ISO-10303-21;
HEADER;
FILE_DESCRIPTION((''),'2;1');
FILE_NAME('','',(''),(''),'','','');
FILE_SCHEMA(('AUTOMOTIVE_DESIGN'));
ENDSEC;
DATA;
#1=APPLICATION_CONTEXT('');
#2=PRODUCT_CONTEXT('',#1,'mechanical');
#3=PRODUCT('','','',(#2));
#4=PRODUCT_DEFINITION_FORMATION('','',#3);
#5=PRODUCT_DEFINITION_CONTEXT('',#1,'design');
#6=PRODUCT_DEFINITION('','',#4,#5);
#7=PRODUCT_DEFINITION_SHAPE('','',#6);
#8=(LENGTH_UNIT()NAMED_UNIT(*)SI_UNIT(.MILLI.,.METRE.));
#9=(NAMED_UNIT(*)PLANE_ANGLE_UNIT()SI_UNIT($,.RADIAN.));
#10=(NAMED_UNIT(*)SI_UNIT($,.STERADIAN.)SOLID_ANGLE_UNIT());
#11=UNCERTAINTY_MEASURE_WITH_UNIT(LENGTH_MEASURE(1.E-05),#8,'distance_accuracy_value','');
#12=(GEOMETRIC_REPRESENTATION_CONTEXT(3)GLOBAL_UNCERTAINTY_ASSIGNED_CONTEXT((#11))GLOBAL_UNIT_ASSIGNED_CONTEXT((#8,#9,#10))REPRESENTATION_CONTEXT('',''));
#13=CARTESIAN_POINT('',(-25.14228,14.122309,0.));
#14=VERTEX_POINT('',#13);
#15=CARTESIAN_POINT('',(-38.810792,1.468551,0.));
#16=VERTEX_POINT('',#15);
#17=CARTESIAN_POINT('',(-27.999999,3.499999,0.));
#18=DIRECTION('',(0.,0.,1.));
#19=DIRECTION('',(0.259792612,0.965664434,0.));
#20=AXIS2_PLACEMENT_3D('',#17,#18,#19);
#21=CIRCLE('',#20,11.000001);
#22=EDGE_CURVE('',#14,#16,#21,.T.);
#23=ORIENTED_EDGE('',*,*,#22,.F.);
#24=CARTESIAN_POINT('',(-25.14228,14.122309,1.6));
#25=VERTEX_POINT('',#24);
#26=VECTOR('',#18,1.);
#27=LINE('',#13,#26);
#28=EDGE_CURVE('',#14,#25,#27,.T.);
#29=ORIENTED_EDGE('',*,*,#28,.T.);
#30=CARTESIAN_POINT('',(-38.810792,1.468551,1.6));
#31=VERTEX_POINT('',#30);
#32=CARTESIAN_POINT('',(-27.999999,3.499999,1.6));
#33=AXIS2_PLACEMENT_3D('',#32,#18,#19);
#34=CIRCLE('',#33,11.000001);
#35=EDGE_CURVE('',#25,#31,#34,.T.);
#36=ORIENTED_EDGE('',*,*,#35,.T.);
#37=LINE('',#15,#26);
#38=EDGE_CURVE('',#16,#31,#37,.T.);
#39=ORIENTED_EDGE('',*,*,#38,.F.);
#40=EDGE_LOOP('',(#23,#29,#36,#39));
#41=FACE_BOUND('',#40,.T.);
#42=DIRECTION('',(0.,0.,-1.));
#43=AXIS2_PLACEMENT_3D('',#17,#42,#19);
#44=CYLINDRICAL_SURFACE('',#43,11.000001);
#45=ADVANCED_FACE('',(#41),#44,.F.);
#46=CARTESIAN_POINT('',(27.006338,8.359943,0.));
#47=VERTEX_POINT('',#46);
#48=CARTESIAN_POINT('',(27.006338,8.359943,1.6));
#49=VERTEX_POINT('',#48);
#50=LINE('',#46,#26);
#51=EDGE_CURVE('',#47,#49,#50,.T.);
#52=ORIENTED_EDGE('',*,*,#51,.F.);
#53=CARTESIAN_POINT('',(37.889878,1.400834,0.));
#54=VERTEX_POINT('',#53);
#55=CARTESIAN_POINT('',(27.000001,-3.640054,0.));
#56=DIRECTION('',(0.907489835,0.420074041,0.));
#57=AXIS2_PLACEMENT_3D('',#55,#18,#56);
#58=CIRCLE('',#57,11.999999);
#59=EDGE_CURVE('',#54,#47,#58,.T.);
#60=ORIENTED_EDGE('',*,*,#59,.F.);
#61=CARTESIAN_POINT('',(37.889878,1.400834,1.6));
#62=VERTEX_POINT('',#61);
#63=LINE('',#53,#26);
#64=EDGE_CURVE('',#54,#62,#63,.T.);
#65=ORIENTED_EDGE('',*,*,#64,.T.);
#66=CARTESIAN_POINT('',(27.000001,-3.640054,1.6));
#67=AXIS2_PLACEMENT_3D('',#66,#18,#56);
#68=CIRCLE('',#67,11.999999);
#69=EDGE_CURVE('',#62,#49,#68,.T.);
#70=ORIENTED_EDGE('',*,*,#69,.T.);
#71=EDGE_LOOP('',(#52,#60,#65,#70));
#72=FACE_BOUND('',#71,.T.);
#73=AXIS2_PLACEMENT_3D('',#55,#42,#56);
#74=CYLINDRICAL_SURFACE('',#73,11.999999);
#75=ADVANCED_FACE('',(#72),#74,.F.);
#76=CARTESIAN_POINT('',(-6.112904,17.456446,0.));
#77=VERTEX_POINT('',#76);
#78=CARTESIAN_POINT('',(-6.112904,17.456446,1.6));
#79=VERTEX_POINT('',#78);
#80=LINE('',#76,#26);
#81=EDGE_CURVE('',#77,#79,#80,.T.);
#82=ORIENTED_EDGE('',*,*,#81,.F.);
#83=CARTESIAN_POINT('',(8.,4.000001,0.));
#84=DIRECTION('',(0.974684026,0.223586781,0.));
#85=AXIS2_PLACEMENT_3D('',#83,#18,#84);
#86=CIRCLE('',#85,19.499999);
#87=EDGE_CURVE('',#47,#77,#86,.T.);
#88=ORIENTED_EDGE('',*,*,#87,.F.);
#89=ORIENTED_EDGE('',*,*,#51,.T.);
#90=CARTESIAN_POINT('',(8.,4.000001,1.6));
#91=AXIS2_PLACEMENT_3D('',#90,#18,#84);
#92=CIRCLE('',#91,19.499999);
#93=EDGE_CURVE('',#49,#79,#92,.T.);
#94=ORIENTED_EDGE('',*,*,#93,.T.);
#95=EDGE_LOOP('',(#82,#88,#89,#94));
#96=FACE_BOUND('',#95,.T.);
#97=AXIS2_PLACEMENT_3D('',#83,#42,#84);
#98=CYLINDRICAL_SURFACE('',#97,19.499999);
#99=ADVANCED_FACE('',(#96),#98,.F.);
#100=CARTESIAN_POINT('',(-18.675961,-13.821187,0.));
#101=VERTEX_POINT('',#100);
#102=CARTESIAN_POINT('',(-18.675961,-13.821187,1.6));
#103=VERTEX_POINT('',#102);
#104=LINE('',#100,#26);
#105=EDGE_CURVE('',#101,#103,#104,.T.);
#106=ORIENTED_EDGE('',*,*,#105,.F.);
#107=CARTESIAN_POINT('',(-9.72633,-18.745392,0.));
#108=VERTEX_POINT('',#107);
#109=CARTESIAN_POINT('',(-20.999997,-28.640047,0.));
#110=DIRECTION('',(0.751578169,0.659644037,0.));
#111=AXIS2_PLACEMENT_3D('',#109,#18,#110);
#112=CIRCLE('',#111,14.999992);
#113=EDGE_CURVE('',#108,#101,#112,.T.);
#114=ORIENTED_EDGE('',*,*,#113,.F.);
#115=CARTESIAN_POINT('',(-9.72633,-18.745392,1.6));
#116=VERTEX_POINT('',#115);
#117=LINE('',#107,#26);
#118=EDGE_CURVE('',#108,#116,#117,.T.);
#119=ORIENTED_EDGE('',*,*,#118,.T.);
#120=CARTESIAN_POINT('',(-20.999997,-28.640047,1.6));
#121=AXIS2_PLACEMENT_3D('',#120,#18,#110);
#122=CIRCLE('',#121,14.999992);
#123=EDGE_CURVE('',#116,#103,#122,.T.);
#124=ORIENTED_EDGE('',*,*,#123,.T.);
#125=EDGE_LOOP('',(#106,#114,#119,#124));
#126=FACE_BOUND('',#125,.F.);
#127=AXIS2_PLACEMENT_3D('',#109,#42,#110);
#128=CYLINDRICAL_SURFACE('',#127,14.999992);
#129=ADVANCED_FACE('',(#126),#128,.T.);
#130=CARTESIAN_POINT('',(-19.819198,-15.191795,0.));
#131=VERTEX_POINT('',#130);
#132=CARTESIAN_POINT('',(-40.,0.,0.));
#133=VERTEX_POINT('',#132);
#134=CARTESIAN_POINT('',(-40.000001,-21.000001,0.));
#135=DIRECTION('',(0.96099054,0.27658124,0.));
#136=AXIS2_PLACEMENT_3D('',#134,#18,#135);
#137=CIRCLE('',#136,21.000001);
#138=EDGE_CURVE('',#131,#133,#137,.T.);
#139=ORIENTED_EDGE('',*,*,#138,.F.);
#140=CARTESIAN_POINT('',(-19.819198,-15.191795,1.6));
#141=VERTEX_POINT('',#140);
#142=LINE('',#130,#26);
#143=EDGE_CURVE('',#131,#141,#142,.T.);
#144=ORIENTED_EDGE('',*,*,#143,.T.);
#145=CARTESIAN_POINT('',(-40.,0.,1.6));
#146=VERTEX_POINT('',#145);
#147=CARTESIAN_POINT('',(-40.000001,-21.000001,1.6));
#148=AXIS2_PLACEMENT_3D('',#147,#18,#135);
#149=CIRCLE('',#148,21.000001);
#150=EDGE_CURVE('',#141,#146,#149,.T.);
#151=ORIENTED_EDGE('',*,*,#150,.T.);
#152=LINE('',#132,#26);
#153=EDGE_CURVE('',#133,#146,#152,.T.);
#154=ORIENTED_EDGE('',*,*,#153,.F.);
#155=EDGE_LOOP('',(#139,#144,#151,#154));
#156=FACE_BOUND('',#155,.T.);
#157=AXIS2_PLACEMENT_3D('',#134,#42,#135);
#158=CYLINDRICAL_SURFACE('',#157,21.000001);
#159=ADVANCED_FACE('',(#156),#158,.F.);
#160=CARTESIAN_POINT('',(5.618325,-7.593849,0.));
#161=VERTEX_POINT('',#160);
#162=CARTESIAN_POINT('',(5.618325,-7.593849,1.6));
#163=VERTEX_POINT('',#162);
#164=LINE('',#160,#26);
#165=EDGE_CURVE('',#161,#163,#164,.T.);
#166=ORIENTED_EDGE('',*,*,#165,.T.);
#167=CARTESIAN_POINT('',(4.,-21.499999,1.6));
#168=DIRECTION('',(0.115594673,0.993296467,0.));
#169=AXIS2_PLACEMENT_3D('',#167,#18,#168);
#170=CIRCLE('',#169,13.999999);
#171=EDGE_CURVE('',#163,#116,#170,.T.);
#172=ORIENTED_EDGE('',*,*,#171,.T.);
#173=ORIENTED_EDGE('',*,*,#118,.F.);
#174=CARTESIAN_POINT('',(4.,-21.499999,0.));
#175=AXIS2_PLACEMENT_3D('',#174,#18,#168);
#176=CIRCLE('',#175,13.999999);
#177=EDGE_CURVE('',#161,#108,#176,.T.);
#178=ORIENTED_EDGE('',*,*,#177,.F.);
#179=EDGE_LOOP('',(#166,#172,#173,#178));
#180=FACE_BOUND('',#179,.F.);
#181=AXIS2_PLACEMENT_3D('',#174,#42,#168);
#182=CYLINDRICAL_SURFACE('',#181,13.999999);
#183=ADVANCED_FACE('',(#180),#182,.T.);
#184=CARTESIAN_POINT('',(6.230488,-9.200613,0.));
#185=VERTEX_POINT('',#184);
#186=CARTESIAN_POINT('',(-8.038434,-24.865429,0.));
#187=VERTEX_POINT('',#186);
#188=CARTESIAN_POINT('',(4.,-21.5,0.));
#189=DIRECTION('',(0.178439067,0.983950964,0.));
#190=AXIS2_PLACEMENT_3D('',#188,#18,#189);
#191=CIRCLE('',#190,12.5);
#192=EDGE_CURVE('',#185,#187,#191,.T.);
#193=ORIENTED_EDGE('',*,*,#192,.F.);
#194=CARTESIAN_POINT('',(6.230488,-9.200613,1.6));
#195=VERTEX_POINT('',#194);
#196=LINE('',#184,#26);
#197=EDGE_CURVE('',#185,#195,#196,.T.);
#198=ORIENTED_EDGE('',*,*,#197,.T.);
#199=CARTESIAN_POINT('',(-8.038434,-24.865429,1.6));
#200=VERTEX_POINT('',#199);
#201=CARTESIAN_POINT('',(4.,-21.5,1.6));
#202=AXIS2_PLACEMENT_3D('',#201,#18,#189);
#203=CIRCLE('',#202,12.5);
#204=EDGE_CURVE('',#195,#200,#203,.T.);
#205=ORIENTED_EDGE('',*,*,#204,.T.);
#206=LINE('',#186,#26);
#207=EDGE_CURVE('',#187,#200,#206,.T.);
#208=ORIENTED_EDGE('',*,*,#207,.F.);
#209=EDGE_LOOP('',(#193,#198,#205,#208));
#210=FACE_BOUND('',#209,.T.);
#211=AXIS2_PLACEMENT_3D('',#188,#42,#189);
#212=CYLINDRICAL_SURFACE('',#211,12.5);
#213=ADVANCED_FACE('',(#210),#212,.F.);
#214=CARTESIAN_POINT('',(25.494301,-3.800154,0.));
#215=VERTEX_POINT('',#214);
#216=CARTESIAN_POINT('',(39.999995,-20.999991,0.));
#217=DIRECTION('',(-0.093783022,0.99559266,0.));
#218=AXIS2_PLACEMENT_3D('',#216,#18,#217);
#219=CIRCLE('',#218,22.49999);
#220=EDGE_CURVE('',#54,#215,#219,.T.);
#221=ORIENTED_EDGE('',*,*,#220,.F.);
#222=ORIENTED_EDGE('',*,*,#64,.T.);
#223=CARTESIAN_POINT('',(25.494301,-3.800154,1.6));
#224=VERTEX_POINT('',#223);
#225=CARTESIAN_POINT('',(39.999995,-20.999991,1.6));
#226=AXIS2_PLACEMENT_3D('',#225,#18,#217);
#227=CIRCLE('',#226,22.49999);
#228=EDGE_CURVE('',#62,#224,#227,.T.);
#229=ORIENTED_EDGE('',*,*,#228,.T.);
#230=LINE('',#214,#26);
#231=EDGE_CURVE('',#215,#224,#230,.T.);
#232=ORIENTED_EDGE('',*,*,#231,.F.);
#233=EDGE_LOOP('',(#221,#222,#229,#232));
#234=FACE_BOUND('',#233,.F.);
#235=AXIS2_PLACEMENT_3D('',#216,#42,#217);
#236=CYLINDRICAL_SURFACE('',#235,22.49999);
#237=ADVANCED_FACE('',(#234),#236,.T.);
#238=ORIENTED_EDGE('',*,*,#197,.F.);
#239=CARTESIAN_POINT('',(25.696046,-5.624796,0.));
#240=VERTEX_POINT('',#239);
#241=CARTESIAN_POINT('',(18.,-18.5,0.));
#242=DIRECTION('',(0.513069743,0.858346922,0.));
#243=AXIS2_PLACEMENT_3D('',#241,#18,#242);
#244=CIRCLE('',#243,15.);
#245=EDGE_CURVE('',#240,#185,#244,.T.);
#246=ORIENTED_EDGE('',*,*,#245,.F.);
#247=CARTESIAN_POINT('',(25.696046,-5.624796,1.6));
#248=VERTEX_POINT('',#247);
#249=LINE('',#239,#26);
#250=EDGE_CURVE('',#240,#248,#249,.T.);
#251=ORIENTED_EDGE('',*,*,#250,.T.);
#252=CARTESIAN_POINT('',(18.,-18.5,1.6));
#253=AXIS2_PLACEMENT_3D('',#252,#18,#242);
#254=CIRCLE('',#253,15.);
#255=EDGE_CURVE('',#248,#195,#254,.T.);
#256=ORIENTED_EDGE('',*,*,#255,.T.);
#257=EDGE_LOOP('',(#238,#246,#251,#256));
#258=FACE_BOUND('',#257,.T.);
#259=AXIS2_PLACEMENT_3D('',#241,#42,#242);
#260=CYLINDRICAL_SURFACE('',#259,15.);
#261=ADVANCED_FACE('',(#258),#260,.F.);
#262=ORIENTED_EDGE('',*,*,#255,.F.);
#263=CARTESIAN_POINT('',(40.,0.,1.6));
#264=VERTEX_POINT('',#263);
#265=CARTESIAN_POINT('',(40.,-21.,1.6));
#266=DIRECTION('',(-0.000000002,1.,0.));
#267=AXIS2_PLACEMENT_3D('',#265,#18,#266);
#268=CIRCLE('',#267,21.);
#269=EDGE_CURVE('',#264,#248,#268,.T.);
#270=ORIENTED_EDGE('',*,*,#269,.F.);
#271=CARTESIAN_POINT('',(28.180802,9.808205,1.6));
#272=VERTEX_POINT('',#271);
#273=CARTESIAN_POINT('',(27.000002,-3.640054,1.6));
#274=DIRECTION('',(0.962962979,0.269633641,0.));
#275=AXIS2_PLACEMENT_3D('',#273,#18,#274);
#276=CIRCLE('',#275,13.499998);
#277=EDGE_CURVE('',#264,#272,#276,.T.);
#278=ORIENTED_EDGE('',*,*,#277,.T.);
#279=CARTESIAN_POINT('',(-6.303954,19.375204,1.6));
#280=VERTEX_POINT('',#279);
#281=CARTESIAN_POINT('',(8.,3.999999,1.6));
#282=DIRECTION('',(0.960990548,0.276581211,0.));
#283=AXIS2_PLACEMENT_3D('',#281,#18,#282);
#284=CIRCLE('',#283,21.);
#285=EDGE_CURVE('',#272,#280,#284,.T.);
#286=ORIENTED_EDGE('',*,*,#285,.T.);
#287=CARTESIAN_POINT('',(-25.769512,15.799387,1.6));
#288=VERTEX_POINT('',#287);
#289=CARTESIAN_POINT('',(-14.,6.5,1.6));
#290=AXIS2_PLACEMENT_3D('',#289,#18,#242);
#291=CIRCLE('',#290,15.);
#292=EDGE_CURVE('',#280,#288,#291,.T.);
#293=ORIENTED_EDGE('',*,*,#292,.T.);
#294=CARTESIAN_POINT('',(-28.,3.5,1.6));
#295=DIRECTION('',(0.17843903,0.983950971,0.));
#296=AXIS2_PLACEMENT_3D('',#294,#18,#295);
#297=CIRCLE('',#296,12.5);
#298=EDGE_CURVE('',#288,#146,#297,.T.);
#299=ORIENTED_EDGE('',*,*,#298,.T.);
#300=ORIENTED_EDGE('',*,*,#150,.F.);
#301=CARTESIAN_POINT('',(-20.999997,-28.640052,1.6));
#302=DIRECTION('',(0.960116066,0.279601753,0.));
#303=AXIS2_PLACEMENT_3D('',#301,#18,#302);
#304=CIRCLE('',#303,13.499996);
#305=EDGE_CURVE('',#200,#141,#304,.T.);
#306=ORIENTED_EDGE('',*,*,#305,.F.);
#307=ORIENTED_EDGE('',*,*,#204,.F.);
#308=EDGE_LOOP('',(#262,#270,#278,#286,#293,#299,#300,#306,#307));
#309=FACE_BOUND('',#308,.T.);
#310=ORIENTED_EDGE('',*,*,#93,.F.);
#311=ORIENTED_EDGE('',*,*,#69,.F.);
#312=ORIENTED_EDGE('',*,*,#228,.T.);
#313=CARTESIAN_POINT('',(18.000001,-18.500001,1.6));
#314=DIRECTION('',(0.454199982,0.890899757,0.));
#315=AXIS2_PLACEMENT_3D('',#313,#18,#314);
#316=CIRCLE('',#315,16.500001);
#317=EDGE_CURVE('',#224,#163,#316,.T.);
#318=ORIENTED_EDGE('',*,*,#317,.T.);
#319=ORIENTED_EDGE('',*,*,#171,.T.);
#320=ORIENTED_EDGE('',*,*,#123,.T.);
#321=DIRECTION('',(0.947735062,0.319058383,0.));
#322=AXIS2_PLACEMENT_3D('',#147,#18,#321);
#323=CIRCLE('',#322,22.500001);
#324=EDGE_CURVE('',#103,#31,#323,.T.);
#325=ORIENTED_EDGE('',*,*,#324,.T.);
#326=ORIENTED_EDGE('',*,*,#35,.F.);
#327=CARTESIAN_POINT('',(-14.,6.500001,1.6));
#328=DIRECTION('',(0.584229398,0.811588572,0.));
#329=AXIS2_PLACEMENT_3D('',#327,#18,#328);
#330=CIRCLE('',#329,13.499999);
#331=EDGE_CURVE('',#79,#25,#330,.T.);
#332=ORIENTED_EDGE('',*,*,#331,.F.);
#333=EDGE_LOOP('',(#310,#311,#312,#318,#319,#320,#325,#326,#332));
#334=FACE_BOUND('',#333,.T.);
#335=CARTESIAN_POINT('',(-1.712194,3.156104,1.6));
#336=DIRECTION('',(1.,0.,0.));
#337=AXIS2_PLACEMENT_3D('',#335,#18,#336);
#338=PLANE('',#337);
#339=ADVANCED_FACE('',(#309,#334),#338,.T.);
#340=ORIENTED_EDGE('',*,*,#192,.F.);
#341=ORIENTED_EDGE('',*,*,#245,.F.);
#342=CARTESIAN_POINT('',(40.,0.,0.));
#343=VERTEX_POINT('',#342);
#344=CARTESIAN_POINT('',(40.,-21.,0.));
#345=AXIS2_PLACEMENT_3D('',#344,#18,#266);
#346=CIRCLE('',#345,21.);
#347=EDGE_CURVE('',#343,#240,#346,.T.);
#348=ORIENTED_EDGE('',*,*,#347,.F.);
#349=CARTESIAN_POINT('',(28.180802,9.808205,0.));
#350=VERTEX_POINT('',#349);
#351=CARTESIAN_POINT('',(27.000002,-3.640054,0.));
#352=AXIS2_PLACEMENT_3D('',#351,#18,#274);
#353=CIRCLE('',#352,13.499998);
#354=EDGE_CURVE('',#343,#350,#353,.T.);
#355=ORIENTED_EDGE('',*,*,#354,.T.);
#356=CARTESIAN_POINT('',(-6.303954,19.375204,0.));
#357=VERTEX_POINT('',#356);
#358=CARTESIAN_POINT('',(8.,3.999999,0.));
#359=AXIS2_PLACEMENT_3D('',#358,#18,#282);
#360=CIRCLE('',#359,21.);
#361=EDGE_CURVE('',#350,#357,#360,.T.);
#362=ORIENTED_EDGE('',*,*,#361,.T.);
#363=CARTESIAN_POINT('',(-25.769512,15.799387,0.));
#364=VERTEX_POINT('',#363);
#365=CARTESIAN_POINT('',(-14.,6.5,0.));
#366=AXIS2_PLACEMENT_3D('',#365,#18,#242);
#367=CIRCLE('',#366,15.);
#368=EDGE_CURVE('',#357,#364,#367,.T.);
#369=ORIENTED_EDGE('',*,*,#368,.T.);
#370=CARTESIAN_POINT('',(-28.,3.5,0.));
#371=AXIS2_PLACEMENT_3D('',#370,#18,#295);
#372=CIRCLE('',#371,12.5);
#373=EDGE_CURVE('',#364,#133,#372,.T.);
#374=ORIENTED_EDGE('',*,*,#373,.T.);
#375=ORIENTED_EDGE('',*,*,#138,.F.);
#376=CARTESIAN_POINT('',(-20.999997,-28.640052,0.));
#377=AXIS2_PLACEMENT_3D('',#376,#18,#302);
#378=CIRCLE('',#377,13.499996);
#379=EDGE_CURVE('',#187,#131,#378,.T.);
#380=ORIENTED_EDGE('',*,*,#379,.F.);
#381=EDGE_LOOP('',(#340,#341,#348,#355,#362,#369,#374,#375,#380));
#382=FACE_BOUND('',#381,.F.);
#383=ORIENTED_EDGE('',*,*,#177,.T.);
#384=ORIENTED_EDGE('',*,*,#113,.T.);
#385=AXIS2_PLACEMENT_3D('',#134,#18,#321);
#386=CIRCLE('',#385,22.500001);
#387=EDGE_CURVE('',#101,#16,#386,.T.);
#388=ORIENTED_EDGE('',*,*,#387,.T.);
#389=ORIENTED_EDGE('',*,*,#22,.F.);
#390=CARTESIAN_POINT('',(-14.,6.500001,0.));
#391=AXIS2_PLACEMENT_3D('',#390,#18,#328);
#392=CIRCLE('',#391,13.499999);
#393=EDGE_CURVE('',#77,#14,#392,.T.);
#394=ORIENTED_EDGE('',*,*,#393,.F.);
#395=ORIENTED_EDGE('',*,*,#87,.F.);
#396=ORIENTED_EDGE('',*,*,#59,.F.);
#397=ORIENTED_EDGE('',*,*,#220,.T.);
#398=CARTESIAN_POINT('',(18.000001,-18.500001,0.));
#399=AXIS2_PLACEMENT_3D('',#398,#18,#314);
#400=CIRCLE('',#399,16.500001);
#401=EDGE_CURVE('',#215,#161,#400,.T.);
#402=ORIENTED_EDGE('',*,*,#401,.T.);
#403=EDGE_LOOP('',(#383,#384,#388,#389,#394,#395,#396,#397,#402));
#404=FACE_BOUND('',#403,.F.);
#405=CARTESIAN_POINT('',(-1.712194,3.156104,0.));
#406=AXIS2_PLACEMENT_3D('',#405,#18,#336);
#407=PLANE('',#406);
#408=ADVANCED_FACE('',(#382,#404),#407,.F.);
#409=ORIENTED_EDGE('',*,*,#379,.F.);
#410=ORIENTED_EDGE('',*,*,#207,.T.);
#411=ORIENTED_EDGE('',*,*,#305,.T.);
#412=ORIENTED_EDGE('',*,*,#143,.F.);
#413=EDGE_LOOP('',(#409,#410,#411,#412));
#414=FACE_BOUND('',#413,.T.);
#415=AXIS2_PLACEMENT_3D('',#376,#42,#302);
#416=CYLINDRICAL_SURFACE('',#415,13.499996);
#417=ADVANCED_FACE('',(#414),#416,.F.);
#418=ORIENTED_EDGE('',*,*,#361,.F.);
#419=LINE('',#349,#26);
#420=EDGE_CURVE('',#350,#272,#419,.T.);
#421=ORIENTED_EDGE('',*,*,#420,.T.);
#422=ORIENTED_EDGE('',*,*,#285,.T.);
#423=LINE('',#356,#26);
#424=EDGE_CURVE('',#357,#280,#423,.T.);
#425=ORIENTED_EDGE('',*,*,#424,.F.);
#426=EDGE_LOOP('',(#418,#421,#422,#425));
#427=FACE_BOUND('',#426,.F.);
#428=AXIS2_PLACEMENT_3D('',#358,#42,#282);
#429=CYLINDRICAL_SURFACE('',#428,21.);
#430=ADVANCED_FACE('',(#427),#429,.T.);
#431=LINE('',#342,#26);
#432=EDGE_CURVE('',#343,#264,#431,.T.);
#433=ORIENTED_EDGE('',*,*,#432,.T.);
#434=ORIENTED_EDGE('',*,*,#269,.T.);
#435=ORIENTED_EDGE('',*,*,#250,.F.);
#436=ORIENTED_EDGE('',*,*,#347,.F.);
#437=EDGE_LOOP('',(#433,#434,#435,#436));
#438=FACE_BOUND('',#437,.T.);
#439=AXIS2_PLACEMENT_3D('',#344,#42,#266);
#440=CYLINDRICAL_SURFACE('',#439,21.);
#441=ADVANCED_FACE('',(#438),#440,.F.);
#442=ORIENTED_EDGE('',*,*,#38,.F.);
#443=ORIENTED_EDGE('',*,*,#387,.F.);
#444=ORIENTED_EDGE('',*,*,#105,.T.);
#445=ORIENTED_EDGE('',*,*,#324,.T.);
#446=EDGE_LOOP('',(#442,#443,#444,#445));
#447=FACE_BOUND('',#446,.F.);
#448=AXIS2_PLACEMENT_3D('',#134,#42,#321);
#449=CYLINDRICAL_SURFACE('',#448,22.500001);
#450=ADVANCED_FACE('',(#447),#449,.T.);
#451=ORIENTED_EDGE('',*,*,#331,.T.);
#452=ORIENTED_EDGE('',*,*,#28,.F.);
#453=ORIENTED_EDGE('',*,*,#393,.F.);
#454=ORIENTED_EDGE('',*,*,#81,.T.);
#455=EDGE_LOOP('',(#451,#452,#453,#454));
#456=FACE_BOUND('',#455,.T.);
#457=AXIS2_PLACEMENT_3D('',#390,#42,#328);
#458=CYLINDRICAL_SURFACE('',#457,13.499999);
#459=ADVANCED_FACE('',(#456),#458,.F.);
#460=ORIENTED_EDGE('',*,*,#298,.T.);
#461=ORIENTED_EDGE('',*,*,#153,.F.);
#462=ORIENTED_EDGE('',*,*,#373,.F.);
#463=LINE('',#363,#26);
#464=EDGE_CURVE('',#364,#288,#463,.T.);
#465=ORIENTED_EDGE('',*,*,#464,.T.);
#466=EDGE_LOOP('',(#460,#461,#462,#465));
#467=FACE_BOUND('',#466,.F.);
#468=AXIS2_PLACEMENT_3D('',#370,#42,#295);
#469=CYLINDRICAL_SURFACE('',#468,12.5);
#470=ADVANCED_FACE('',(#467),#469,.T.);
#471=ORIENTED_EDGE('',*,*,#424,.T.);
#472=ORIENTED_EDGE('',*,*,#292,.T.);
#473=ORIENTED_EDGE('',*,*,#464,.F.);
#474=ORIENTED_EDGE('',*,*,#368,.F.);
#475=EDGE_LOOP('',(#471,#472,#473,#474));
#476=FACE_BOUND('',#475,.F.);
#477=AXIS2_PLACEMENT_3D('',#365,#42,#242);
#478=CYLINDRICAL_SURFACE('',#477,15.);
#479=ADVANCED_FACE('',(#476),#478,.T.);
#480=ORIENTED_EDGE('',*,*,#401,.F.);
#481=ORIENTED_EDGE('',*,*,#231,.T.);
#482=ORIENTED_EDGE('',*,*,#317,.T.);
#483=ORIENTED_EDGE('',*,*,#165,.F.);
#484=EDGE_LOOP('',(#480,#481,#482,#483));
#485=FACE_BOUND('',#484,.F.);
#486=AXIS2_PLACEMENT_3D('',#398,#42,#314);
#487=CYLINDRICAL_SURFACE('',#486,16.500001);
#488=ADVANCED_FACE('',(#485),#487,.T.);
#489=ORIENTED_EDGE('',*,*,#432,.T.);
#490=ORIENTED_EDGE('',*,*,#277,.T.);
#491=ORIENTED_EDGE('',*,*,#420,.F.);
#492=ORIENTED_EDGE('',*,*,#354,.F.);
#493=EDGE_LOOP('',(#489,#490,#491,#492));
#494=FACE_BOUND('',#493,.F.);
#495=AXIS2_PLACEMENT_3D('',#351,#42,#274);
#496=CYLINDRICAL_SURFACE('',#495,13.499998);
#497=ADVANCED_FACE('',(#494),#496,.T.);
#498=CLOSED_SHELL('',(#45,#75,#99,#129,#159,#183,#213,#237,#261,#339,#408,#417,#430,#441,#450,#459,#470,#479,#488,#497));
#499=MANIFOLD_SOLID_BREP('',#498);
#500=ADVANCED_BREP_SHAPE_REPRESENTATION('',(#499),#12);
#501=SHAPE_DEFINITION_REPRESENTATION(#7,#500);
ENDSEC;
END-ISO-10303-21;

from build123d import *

# Parameters (mm, degrees)
PAD_DEPTH = 1.6


with BuildPart() as part:
    # Sketch → Pad (new body)
    with BuildSketch(Plane.XY):
        with BuildLine():
            ThreePointArc((28.180802, 9.808205), (13.613929, 24.235706), (-6.303954, 19.375204))
            ThreePointArc((-6.303954, 19.375204), (-16.710147, 21.253139), (-25.769512, 15.799387))
            ThreePointArc((-25.769512, 15.799387), (-37.287949, 11.865644), (-40, 0))
            ThreePointArc((-19.819198, -15.191795), (-27.370121, -4.222451), (-40, 0))
            ThreePointArc((-8.038434, -24.865429), (-12.432827, -18.206764), (-19.819198, -15.191795))
            ThreePointArc((6.230488, -9.200613), (-5.240972, -13.082492), (-8.038434, -24.865429))
            ThreePointArc((25.696046, -5.624796), (15.289853, -3.746861), (6.230488, -9.200613))
            ThreePointArc((40, 0), (32.314926, -1.456724), (25.696046, -5.624796))
            ThreePointArc((40, 0), (35.621137, 6.748689), (28.180802, 9.808205))
        make_face()
        with BuildLine():
            ThreePointArc((-25.14228, 14.122309), (-35.472766, 11.572036), (-38.810792, 1.468551))
            ThreePointArc((-18.675961, -13.821187), (-26.392811, -3.080893), (-38.810792, 1.468551))
            ThreePointArc((-9.72633, -18.745392), (-13.769068, -15.497999), (-18.675961, -13.821187))
            ThreePointArc((5.618325, -7.593849), (-4.230442, -10.174814), (-9.72633, -18.745392))
            ThreePointArc((25.494301, -3.800154), (14.906517, -2.292583), (5.618325, -7.593849))
            ThreePointArc((37.889878, 1.400834), (31.294602, -0.252324), (25.494301, -3.800154))
            ThreePointArc((37.889878, 1.400834), (33.464455, 6.469882), (27.006338, 8.359943))
            ThreePointArc((27.006338, 8.359943), (13.164593, 22.803643), (-6.112904, 17.456446))
            ThreePointArc((-6.112904, 17.456446), (-16.329844, 19.797437), (-25.14228, 14.122309))
        make_face(mode=Mode.SUBTRACT)
    extrude(amount=PAD_DEPTH)


solid = part.part
